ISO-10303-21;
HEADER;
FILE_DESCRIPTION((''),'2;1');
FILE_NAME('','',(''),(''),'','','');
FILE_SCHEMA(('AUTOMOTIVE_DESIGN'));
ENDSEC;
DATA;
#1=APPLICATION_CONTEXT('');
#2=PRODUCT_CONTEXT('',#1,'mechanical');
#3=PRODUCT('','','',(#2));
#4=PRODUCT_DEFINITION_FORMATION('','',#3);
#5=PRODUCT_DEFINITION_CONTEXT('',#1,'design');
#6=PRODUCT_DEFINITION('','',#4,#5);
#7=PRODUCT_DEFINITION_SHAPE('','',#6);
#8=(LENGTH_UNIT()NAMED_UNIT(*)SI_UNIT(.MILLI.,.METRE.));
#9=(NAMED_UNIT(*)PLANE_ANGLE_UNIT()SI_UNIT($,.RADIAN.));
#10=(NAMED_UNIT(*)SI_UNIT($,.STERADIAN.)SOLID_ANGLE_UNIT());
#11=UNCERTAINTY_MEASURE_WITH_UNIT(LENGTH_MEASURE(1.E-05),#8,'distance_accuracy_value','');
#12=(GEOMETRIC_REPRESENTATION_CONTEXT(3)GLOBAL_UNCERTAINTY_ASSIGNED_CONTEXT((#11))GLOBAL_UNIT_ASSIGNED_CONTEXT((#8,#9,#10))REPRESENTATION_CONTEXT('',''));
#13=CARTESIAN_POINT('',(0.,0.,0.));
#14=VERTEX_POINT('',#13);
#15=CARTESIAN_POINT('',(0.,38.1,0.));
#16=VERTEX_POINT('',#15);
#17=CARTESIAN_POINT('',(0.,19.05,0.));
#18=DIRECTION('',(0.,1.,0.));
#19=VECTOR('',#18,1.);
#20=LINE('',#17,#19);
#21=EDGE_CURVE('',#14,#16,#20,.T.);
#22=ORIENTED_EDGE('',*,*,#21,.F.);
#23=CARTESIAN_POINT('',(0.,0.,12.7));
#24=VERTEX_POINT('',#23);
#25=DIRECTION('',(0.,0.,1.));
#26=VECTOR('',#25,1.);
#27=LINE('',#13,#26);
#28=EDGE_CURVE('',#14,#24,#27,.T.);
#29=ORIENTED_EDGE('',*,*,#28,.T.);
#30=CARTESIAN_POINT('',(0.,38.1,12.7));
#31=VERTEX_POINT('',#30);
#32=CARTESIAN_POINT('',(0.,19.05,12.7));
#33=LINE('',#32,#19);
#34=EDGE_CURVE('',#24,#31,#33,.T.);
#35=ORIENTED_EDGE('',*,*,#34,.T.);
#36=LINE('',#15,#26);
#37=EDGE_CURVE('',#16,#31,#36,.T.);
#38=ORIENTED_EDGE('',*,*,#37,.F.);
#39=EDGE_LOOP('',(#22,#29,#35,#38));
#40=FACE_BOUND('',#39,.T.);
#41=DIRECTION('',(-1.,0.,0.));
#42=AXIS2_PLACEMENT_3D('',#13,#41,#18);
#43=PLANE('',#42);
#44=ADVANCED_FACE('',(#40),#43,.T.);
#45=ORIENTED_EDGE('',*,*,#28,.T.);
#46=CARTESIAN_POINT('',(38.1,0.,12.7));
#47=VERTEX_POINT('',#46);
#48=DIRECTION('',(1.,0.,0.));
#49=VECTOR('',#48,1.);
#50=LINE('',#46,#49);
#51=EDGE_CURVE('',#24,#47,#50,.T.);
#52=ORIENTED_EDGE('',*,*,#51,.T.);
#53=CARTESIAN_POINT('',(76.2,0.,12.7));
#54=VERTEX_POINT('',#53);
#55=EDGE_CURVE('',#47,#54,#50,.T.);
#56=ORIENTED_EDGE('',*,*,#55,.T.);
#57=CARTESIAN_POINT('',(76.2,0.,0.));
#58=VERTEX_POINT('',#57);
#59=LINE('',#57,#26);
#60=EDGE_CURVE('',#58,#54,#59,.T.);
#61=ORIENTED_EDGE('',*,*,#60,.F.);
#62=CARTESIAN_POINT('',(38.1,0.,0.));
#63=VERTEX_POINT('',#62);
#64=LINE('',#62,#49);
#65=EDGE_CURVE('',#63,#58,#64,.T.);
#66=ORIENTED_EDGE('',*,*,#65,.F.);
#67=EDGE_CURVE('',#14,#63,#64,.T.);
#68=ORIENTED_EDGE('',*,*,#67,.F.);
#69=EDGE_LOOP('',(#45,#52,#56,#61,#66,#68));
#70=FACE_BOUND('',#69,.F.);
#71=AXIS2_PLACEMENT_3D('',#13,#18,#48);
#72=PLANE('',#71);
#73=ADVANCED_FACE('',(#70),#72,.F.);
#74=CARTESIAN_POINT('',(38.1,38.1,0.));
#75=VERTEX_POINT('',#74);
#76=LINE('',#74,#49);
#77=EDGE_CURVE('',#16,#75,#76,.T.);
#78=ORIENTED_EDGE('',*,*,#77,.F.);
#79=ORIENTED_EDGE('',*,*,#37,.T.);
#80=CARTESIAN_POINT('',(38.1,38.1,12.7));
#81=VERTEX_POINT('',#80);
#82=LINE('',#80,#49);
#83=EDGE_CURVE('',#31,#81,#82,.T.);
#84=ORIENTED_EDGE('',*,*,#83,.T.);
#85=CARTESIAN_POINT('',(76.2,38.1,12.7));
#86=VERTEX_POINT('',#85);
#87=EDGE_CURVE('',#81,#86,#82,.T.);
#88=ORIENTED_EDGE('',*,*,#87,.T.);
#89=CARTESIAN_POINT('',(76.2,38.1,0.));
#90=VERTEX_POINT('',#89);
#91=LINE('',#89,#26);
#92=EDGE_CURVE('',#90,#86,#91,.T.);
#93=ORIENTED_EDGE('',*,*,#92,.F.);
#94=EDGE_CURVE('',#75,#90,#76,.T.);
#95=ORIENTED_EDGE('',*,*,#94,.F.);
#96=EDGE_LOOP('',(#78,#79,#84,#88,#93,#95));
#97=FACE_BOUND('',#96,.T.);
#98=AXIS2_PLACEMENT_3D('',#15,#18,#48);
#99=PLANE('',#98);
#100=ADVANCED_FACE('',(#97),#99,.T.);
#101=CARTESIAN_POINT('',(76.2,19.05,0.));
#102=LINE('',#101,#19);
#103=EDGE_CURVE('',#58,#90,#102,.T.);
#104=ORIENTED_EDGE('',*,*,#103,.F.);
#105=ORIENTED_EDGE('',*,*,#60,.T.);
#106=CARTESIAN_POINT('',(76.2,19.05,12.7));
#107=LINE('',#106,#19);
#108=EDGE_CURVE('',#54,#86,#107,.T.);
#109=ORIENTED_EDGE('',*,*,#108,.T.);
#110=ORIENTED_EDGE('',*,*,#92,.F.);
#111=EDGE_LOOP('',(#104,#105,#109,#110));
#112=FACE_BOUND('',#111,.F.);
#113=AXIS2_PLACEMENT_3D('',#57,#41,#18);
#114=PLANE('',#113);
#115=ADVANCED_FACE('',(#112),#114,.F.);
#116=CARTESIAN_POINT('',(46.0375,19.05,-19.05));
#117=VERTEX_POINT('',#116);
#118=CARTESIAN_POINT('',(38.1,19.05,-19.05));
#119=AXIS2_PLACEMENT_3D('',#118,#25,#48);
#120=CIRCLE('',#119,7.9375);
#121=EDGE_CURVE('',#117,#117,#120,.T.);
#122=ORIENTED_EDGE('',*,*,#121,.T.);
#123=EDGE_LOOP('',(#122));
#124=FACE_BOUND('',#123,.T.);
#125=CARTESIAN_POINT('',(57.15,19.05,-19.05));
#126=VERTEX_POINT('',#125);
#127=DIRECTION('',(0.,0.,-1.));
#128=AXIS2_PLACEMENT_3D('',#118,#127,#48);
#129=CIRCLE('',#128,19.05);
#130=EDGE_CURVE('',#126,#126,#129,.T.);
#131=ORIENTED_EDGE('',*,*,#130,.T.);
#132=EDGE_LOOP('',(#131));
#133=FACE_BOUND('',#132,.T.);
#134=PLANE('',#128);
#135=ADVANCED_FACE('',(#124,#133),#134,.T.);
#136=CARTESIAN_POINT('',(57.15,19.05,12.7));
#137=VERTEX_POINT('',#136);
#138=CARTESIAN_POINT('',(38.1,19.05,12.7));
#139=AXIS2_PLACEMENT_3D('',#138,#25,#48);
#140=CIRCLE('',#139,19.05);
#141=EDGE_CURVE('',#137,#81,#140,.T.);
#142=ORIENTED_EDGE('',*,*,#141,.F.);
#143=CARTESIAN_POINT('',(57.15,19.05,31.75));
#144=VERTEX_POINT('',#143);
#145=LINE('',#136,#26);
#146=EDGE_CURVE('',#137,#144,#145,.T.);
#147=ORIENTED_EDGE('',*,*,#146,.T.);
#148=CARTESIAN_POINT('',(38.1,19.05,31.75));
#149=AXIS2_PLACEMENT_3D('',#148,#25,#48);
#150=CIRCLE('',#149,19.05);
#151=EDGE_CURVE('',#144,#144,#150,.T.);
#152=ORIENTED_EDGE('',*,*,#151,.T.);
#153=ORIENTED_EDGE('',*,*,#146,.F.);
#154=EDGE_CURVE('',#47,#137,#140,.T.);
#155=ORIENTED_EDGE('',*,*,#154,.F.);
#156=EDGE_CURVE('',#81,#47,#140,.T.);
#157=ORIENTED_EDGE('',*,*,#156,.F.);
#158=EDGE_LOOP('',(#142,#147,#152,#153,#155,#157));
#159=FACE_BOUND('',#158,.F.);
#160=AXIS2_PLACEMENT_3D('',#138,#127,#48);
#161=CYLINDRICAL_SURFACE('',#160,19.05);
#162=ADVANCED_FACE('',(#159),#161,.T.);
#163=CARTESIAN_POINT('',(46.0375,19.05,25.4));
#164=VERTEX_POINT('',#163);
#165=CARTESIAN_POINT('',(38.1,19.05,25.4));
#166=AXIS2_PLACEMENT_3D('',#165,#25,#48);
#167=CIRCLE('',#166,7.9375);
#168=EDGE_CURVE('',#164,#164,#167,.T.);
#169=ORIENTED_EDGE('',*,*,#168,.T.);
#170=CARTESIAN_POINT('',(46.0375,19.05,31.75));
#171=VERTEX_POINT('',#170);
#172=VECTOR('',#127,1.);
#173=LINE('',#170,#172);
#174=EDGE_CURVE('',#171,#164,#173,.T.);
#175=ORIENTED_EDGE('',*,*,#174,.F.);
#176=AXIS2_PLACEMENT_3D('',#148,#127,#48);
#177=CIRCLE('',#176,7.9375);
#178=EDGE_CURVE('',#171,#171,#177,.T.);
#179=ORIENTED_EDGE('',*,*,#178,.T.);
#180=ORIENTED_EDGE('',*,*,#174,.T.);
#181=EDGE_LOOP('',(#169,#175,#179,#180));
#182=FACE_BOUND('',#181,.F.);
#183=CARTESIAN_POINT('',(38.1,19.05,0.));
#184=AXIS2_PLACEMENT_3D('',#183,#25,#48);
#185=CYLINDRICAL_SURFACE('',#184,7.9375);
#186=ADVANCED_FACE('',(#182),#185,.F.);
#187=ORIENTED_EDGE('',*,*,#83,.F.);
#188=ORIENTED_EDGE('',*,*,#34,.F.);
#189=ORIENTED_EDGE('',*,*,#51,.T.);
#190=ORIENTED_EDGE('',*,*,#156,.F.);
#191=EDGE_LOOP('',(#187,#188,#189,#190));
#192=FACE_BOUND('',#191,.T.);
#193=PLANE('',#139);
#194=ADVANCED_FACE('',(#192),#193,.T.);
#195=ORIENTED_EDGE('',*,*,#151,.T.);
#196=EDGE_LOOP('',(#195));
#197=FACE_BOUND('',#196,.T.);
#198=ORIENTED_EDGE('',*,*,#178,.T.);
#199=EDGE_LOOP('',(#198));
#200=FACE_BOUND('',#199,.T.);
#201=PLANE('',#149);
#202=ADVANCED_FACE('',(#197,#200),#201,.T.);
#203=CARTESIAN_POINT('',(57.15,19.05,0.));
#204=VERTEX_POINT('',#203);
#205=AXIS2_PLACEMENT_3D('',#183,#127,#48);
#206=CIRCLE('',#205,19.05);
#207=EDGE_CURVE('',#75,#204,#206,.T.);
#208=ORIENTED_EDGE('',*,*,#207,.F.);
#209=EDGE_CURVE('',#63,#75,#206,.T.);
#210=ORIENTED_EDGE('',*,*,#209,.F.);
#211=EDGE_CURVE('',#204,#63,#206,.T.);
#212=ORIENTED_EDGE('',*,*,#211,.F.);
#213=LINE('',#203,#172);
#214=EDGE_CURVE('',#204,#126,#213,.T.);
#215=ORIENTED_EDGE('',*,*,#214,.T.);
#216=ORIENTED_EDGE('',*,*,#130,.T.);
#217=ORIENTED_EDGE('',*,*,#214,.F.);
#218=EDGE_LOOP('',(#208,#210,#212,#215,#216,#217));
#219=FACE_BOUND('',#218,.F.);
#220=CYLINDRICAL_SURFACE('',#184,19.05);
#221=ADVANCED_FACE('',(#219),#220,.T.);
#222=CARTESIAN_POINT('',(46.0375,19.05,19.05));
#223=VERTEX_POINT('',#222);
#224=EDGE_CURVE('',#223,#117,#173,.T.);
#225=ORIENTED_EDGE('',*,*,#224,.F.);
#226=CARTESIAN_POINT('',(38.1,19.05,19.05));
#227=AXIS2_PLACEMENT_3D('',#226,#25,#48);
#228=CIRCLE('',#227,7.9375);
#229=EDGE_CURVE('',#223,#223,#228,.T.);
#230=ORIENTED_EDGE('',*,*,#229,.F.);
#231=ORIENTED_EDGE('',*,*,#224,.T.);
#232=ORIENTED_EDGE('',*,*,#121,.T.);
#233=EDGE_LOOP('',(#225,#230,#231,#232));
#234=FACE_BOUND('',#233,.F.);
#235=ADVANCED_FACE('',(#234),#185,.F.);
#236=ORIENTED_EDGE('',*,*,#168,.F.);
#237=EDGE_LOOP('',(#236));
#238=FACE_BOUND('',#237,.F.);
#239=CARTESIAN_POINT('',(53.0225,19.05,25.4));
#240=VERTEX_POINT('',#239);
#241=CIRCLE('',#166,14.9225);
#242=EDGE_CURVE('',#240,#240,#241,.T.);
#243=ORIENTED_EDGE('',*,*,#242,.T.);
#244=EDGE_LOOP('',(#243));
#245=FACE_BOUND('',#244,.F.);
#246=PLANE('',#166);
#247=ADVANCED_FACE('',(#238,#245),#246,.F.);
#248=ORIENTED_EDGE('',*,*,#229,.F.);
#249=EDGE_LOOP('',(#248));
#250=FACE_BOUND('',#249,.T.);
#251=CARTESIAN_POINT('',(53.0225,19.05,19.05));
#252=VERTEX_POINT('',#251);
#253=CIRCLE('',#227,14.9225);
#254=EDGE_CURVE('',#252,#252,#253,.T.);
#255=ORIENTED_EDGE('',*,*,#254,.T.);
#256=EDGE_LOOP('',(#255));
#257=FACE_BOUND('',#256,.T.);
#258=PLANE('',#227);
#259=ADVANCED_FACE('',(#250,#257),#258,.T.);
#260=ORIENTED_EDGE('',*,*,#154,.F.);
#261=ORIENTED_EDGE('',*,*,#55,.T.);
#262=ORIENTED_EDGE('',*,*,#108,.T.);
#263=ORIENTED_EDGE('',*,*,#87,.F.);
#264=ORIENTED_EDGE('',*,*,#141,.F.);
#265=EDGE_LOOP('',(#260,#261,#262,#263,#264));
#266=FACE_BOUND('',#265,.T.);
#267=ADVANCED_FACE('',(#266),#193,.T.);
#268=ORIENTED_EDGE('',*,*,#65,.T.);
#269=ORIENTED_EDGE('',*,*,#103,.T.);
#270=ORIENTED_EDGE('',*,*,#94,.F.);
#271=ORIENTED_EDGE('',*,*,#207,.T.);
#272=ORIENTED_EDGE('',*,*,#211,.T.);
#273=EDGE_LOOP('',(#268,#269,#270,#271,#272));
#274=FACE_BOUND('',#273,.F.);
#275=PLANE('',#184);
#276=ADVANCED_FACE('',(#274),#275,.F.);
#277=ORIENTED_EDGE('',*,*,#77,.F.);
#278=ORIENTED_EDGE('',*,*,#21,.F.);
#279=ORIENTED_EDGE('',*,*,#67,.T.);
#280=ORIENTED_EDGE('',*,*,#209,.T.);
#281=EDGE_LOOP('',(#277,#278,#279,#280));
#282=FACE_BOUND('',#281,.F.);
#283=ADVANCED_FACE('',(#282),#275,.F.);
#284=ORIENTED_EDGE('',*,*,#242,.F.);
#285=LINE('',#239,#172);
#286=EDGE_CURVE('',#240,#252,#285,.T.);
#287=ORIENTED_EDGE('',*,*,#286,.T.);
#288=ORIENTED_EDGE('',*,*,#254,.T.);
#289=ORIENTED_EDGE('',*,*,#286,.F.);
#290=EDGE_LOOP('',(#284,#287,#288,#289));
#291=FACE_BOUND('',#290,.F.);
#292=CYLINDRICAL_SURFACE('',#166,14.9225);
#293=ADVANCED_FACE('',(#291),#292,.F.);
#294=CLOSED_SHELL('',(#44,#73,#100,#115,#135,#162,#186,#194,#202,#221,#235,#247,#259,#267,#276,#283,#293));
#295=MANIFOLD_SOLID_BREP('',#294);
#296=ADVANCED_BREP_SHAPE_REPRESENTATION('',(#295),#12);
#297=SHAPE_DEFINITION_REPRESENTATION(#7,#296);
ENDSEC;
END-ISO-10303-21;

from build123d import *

# Parameters (mm, degrees)
F0_W          = 76.2
F0_H          = 38.1
F1_DEPTH      = 12.7
F2_R          = 19.05
F3_DEPTH      = 19.05
F4_R          = 19.05
F5_DEPTH      = 19.05
F6_R          = 7.9375
F7_DEPTH      = 19.051
F7_DEPTH_BACK = 31.751
F9_START      = -6.35
F8_R          = 14.9225
F8_R_2        = 7.9375
F9_DEPTH      = 6.35


with BuildPart() as f1:
    # F0 (on Top) → F1 (new body)
    with BuildSketch(Plane.XY):
        with Locations((38.1, 19.05)):
            Rectangle(F0_W, F0_H)
    extrude(amount=F1_DEPTH)

    # F2 (on face) → F3 (join)
    with BuildSketch(Plane.XY.offset(12.7)):
        with Locations((38.1, 19.05)):
            Circle(F2_R)
    extrude(amount=F3_DEPTH)

    # F4 (on face) → F5 (join)
    with BuildSketch(Plane(origin=(0, 0, 0), x_dir=(1, 0, 0), z_dir=(0, 0, -1))):
        with Locations((38.1, -19.05)):
            Circle(F4_R)
    extrude(amount=F5_DEPTH)

    # F6 (on Top) → F7 (cut, two sides)
    with BuildSketch(Plane.XY) as f7_sk:
        with Locations((38.1, 19.05)):
            Circle(F6_R)
    extrude(amount=-F7_DEPTH, mode=Mode.SUBTRACT)
    extrude(f7_sk.sketch, amount=F7_DEPTH_BACK, mode=Mode.SUBTRACT)

    # F8 (on face) → F9 (cut)
    with BuildSketch(Plane.XY.offset(31.75).offset(F9_START)):
        with Locations((38.1, 19.05)):
            Circle(F8_R)
        with Locations((38.1, 19.05)):
            Circle(F8_R_2, mode=Mode.SUBTRACT)
    extrude(amount=-F9_DEPTH, mode=Mode.SUBTRACT)


solid = f1.part
